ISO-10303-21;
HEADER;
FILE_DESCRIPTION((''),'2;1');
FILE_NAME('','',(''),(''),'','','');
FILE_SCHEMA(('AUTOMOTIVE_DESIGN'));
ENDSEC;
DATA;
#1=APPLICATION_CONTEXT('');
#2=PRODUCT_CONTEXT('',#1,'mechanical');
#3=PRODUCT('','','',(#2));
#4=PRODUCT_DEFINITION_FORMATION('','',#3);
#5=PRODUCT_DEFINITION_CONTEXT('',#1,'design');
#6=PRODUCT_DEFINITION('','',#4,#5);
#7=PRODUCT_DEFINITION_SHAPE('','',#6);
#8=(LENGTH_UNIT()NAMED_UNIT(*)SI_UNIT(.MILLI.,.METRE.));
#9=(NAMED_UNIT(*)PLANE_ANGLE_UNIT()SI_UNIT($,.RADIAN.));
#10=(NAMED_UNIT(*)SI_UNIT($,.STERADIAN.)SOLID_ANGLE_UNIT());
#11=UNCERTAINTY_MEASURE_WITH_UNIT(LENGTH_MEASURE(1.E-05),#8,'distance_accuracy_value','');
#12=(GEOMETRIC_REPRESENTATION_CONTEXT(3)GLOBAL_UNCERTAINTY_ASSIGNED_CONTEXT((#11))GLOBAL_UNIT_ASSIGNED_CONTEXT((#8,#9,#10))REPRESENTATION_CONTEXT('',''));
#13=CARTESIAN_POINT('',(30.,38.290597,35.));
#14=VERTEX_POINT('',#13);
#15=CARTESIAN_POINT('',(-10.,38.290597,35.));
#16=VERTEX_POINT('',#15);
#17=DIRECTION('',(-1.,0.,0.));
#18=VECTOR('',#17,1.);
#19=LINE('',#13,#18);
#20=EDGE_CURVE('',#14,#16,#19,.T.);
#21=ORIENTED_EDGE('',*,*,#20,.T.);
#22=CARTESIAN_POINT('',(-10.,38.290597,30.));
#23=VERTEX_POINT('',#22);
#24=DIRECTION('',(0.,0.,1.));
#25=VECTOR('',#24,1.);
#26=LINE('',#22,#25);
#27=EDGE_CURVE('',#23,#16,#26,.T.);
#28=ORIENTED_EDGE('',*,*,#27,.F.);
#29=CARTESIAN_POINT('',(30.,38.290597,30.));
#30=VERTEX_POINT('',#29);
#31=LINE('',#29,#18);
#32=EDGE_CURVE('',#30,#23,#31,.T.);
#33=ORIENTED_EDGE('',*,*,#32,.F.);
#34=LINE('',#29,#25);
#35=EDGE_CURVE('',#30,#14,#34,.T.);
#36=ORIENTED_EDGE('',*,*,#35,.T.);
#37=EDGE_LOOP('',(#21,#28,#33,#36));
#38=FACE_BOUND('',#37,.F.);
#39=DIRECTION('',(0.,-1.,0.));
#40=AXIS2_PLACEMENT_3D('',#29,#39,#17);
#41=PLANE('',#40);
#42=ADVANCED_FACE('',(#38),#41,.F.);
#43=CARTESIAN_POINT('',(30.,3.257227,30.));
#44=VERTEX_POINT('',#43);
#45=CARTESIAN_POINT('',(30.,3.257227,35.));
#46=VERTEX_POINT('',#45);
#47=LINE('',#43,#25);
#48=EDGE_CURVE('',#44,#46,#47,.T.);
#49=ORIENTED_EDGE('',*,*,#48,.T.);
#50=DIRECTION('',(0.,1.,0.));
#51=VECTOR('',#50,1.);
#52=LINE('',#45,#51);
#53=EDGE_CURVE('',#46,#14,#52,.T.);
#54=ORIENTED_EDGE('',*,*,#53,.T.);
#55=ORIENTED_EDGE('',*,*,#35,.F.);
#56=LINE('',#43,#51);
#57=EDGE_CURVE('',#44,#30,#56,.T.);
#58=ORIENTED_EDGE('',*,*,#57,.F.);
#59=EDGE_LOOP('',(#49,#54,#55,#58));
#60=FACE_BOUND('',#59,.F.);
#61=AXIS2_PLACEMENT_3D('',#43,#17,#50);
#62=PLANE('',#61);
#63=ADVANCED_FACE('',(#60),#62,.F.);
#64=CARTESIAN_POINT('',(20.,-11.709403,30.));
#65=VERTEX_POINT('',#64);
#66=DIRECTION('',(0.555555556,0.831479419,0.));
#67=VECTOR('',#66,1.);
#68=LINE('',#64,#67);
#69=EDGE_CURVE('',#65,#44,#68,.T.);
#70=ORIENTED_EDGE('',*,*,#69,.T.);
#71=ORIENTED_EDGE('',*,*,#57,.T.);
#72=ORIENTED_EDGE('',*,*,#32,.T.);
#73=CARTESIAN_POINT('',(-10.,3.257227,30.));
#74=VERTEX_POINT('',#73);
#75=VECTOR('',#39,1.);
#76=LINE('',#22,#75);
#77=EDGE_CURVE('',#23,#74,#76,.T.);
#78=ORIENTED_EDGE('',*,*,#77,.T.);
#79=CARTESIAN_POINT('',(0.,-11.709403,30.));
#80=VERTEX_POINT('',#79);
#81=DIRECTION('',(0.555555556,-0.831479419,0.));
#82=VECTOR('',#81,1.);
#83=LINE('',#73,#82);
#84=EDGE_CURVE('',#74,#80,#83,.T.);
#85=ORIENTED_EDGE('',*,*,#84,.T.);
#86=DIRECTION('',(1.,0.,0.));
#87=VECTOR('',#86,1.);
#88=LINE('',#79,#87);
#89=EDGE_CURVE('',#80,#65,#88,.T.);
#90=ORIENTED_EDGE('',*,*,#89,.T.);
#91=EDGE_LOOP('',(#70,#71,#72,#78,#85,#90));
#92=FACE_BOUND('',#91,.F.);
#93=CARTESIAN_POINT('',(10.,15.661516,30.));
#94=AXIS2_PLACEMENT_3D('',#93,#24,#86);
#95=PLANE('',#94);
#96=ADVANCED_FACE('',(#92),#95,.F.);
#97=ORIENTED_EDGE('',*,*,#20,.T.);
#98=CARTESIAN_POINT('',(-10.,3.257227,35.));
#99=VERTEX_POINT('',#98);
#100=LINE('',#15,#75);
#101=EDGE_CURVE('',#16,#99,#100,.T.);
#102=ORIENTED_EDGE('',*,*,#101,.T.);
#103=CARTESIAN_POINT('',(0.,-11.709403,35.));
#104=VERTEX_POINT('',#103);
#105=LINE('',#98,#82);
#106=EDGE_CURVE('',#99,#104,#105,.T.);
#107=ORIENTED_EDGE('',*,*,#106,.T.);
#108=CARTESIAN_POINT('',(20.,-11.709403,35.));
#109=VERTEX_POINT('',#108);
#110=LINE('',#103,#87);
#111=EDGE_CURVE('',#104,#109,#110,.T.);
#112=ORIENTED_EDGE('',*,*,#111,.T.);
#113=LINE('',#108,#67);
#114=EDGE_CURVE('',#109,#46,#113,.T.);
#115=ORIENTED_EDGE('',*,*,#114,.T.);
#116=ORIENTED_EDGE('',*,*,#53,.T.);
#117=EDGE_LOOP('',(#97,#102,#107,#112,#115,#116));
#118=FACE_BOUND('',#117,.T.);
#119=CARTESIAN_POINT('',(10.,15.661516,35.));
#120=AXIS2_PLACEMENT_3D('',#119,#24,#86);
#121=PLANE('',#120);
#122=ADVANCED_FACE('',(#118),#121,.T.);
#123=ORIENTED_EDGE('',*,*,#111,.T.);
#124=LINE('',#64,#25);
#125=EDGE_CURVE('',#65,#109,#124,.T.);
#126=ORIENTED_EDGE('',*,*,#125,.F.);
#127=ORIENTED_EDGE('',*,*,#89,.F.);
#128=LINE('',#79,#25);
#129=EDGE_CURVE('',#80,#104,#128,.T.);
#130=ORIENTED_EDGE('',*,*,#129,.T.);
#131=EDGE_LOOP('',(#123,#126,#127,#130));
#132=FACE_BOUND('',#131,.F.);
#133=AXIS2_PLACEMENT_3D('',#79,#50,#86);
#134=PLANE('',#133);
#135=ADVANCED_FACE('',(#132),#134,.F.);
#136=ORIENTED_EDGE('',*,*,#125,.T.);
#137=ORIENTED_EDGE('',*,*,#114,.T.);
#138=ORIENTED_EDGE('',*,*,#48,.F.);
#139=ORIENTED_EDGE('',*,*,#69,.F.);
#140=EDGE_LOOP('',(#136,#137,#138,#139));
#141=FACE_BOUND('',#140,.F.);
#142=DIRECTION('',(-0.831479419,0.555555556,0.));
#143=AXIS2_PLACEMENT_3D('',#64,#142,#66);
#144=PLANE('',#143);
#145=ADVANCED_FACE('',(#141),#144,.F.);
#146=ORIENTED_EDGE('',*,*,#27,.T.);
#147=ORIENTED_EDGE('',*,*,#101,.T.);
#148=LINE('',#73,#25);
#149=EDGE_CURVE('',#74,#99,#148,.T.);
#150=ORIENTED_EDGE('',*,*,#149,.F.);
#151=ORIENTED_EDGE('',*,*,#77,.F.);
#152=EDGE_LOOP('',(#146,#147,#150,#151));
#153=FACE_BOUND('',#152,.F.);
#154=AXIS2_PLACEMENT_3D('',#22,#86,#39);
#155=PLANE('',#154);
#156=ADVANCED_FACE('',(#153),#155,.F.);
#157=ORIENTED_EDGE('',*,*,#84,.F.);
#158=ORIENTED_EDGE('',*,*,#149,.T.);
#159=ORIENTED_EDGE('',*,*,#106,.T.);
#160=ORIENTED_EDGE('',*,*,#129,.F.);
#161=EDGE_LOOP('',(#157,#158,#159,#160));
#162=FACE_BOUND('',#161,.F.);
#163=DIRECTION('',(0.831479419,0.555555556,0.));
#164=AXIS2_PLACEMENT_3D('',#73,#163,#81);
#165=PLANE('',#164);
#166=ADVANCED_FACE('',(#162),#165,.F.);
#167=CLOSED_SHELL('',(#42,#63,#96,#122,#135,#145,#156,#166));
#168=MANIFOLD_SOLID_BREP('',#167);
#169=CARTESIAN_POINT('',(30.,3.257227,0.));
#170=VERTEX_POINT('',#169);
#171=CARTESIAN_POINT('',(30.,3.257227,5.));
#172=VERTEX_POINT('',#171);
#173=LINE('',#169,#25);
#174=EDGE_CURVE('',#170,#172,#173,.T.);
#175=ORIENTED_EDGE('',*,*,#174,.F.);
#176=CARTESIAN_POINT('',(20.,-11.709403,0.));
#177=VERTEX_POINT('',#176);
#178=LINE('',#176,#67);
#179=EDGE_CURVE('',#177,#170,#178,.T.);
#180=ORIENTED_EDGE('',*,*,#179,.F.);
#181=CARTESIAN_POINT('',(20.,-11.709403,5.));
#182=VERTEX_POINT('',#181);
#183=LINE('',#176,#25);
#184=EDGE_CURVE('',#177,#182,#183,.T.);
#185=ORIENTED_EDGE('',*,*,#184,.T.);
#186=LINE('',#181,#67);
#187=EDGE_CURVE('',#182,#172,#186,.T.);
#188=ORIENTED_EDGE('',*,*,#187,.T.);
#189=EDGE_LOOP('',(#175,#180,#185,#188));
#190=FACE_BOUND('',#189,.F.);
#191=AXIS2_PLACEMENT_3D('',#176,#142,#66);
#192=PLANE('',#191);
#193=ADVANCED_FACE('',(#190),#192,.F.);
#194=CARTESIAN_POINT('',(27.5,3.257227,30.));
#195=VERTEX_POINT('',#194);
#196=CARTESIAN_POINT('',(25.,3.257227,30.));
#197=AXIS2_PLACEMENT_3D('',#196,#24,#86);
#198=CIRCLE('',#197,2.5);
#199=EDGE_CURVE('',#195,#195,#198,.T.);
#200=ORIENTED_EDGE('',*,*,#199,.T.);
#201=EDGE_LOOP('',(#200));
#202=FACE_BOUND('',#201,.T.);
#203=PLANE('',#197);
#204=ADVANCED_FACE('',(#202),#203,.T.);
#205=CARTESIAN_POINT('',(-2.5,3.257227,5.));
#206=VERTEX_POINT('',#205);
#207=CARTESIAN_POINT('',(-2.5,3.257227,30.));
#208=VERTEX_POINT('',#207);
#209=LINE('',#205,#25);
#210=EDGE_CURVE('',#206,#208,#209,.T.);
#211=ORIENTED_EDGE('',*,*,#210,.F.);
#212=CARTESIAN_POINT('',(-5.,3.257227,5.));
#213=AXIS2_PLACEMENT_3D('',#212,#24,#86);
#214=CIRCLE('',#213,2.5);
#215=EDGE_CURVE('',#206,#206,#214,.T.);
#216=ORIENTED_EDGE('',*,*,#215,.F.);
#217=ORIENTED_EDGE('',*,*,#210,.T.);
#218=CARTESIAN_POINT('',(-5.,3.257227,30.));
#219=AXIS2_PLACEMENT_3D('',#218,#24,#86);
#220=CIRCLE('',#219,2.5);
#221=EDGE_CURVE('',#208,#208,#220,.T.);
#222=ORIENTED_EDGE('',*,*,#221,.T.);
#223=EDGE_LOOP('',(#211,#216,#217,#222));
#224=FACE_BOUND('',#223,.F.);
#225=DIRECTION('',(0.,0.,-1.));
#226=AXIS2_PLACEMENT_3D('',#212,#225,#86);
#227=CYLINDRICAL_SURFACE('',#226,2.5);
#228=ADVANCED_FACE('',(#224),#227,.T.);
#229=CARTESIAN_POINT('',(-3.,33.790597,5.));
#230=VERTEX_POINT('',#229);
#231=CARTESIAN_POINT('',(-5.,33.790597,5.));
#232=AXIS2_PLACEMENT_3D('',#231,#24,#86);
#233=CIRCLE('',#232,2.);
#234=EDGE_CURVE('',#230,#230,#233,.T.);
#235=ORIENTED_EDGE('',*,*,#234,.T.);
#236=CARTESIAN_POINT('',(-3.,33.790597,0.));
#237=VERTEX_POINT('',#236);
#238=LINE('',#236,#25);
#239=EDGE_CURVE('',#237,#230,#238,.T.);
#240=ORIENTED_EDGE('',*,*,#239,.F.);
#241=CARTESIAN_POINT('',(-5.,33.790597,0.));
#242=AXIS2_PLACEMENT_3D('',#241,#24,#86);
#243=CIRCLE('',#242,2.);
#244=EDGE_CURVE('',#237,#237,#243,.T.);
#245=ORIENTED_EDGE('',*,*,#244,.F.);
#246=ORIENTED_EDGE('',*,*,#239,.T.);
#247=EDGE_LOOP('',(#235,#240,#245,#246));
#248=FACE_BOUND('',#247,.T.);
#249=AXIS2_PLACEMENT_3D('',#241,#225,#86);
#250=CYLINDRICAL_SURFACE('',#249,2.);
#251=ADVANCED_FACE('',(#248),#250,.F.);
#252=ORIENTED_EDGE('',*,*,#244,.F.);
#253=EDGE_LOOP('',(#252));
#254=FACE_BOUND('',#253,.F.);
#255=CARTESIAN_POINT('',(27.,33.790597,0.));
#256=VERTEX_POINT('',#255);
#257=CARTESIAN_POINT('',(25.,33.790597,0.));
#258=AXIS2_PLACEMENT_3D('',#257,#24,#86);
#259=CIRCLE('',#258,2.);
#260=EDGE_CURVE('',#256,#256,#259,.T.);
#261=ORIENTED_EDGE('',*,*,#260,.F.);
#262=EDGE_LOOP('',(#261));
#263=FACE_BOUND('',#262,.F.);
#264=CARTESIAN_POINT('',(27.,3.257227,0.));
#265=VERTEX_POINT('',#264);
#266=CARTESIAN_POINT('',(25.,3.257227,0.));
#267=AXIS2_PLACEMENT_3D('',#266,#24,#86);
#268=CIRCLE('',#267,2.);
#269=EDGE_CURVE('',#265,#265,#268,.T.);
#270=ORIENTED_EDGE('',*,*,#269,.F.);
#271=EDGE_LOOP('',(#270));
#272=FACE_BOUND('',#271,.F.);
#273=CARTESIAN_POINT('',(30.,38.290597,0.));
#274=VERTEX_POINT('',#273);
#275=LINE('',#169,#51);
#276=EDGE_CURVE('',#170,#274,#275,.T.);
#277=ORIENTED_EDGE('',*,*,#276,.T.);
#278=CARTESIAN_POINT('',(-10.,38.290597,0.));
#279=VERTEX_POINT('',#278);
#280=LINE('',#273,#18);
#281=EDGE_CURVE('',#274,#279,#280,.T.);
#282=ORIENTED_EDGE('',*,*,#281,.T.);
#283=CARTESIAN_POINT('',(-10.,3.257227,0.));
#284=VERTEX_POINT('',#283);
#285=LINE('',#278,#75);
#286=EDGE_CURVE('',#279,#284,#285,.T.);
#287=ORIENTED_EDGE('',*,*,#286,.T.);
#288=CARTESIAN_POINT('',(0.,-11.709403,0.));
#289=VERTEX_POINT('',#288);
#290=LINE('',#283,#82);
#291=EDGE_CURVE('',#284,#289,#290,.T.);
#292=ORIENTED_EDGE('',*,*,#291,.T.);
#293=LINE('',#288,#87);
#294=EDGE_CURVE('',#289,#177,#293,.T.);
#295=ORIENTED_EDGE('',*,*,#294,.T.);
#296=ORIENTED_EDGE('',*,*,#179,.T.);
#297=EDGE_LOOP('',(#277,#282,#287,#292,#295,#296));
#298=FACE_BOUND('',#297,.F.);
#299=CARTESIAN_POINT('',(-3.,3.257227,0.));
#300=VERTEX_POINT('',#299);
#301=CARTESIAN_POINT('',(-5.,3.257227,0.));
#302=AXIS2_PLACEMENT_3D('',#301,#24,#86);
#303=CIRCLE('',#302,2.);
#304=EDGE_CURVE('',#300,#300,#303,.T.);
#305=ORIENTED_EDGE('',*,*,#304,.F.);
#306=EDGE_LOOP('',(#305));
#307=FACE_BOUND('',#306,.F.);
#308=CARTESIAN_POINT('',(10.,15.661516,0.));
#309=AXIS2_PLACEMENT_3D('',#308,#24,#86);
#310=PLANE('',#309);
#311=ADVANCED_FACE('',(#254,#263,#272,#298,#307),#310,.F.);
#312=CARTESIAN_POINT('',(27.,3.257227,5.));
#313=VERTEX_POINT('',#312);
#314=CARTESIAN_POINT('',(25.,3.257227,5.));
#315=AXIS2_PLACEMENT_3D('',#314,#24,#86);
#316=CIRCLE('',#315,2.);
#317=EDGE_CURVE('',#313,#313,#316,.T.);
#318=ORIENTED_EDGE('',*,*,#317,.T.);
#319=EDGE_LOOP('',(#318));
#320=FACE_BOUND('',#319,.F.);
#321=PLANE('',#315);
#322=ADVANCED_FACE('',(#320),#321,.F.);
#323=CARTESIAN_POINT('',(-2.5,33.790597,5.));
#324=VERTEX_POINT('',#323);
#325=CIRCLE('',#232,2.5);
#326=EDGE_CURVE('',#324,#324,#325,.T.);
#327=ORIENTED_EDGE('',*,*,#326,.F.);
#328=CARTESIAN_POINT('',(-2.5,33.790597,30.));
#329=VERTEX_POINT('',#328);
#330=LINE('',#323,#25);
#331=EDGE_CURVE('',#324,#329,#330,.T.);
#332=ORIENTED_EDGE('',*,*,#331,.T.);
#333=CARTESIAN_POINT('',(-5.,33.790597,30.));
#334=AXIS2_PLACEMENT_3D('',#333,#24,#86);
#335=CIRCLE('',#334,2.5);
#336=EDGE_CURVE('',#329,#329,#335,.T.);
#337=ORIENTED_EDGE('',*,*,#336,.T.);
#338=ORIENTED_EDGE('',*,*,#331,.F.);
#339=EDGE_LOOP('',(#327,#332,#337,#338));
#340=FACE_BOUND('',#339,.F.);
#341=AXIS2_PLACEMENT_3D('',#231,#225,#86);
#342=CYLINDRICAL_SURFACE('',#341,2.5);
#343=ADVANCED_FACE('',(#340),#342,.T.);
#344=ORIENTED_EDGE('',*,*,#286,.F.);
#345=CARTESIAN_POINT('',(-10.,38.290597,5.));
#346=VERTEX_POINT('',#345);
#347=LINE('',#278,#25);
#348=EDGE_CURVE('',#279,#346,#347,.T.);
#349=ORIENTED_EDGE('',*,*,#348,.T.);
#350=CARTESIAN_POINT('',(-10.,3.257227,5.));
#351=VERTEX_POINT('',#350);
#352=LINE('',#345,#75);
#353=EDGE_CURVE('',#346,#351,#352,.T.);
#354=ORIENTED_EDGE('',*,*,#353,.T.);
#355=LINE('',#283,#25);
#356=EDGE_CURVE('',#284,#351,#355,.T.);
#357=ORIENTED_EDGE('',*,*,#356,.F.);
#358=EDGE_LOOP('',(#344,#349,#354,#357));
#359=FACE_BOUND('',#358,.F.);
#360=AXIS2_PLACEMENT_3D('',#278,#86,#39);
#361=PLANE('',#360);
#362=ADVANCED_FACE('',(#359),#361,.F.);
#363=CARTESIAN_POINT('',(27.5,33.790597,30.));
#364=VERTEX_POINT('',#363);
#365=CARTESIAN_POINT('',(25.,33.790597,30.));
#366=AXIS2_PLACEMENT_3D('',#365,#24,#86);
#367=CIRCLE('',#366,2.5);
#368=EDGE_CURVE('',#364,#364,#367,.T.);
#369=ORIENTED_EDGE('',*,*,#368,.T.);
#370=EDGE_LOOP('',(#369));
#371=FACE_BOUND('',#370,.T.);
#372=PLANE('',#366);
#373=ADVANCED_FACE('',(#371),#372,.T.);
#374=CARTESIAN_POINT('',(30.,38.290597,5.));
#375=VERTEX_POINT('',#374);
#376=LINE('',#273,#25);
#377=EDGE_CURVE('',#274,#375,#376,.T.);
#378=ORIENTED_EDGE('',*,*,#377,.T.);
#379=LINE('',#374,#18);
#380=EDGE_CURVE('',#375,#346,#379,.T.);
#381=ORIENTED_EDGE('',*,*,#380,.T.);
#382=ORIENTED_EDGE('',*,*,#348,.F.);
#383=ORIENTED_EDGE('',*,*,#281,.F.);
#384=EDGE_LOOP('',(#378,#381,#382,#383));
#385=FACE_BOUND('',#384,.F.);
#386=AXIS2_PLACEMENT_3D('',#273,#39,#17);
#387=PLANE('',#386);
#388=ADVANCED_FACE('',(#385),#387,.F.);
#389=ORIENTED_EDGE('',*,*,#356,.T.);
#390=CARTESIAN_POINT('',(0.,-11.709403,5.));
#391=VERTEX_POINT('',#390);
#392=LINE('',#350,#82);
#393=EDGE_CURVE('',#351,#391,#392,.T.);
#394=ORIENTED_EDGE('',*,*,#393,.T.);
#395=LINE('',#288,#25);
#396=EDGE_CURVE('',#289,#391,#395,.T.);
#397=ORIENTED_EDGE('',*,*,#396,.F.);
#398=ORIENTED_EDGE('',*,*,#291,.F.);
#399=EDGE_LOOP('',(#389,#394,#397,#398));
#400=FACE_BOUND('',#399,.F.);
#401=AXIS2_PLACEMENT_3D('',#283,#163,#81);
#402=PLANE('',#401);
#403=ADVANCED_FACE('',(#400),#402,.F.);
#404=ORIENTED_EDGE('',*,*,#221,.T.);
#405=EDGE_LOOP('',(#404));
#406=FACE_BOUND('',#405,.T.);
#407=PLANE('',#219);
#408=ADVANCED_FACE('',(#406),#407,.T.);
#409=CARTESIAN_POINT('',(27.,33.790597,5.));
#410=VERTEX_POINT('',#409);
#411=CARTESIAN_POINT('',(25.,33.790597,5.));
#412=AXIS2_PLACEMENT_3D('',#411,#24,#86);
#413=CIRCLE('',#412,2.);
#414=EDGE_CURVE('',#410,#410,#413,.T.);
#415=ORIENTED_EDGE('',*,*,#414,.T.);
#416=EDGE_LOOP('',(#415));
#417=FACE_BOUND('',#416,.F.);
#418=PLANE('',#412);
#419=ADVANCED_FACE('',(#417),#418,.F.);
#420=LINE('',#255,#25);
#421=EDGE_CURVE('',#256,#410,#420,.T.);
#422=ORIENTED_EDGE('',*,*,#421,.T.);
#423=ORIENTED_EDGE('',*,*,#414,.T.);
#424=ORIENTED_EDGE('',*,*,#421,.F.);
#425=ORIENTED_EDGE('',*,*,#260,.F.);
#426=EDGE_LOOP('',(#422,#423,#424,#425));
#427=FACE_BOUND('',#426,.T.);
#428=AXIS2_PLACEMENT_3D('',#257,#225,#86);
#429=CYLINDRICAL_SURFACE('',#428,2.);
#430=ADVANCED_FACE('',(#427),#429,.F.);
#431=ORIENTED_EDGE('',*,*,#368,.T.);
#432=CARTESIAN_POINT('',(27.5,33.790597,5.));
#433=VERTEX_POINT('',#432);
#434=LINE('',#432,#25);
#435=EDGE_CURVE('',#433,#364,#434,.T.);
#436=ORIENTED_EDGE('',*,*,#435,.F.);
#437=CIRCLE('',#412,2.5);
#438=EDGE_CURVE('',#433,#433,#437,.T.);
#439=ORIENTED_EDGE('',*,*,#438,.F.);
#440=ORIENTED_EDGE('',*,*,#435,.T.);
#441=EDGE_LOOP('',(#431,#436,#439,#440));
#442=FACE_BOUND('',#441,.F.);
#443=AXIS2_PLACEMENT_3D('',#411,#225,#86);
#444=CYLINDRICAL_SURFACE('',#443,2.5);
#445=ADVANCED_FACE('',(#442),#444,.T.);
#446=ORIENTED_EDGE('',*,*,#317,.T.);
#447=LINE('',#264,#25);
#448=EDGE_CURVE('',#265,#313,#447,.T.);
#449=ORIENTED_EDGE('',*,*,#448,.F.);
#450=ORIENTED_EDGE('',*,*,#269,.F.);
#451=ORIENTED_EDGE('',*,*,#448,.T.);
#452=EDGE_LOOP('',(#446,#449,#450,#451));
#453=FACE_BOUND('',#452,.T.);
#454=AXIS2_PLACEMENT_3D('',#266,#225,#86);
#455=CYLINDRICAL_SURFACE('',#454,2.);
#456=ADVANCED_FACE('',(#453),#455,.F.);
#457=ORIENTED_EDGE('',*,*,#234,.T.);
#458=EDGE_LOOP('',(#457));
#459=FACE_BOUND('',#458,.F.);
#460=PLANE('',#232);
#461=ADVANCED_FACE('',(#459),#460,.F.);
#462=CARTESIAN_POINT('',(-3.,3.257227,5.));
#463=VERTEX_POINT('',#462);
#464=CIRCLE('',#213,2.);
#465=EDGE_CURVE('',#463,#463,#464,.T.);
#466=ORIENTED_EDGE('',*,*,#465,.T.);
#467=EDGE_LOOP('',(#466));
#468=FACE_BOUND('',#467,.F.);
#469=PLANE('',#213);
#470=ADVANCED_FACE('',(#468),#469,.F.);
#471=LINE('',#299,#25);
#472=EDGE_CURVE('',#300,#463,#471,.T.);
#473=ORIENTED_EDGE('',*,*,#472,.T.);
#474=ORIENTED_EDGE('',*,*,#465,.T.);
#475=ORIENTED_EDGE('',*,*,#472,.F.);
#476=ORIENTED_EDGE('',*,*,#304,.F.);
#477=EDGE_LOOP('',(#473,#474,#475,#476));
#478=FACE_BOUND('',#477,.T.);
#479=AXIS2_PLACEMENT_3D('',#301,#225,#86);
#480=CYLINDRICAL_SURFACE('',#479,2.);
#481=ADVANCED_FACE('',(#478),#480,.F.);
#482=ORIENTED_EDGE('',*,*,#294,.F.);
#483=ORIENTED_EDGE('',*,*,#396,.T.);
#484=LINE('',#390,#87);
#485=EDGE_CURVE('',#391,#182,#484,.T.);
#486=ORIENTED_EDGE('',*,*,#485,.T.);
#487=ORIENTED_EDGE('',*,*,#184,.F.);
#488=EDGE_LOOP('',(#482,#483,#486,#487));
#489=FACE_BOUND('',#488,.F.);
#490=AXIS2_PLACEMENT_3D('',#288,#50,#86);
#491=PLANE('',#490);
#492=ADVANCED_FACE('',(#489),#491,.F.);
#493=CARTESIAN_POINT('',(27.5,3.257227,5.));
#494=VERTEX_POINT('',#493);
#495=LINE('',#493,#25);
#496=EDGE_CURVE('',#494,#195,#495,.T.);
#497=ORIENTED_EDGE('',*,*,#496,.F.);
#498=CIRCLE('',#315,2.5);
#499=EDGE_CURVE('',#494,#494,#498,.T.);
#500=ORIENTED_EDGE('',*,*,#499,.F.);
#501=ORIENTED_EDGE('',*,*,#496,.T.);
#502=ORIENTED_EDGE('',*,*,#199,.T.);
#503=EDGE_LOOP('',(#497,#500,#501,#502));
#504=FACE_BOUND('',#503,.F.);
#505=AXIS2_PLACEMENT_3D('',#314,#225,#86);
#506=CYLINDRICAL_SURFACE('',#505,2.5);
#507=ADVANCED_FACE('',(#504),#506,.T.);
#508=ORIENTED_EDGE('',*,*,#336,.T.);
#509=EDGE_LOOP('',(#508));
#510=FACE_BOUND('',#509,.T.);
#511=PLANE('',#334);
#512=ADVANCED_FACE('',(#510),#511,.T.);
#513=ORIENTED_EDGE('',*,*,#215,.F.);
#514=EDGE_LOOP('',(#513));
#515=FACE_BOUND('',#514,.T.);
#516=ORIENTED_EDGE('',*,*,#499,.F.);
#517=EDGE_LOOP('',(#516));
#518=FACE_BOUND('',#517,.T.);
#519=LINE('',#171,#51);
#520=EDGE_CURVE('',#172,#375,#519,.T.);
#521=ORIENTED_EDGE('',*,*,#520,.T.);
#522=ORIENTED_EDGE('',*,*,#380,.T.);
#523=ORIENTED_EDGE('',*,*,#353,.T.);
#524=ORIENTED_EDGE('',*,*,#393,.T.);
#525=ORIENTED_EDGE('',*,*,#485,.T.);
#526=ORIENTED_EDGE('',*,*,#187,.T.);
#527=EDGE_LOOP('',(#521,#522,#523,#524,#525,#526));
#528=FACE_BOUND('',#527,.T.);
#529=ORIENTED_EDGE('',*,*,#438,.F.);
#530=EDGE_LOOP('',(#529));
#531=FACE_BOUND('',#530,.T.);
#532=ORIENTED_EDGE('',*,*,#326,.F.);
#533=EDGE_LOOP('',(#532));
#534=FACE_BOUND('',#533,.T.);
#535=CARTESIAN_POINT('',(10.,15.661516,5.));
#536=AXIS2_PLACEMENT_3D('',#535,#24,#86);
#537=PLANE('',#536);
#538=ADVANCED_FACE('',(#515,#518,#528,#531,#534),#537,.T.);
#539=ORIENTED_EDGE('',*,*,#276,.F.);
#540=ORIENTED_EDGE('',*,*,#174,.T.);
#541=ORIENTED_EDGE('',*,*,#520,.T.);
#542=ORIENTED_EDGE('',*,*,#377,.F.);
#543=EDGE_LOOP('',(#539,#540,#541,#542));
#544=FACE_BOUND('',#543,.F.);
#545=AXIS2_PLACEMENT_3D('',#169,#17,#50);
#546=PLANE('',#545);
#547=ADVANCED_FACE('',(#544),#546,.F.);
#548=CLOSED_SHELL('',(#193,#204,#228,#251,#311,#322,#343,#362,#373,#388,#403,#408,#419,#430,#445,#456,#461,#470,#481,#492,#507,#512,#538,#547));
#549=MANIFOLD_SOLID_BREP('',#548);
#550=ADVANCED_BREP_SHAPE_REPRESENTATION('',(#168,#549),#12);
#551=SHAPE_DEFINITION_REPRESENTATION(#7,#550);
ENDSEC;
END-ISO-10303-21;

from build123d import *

# Parameters (mm, degrees)
F0_R     = 2
F1_DEPTH = 5
F2_R     = 2.5
F2_R_2   = 2
F3_R     = 2.5
F4_DEPTH = 25
F6_DEPTH = 5


with BuildPart() as f1:
    # F0 (on Top) → F1 (new body)
    with BuildSketch(Plane.XY):
        Polygon((30, 38.2905970075), (-10, 38.2905970075), (-10, 3.2572265546), (0, -11.7094029925), (20, -11.7094029925), (30, 3.2572265546), align=None)
        with Locations((-5, 3.2572265546)):
            Circle(F0_R, mode=Mode.SUBTRACT)
        with Locations((25, 3.2572265546)):
            Circle(F0_R, mode=Mode.SUBTRACT)
        with Locations((-5, 33.7905970075)):
            Circle(F0_R, mode=Mode.SUBTRACT)
        with Locations((25, 33.7905970075)):
            Circle(F0_R, mode=Mode.SUBTRACT)
    extrude(amount=F1_DEPTH)

    # F2 (on face) + F3 (on face) → F4 (join)
    with BuildSketch(Plane.XY.offset(5)):
        with Locations((-5, 33.7905970075)):
            Circle(F2_R)
        with Locations((-5, 33.7905970075)):
            Circle(F2_R_2, mode=Mode.SUBTRACT)
        with Locations((25, 3.2572265546)):
            Circle(F2_R)
        with Locations((25, 3.2572265546)):
            Circle(F2_R_2, mode=Mode.SUBTRACT)
        with Locations((-5, 33.7905970075)):
            Circle(F2_R_2)
        with Locations((25, 33.7905970075)):
            Circle(F2_R_2)
        with Locations((25, 3.2572265546)):
            Circle(F2_R_2)
        with Locations((-5, 3.2572265546)):
            Circle(F2_R_2)
    with BuildSketch(Plane.XY.offset(5)):
        with Locations((25, 33.7905970075)):
            Circle(F3_R)
        with Locations((-5, 3.2572265546)):
            Circle(F3_R)
    extrude(amount=F4_DEPTH)


with BuildPart() as f6:
    # F5 (on face) → F6 (new body)
    with BuildSketch(Plane.XY.offset(30)):
        Polygon((30, 38.2905970075), (-10, 38.2905970075), (-10, 3.2572265546), (0, -11.7094029925), (20, -11.7094029925), (30, 3.2572265546), align=None)
    extrude(amount=F6_DEPTH)


solid = Compound([f1.part, f6.part])
